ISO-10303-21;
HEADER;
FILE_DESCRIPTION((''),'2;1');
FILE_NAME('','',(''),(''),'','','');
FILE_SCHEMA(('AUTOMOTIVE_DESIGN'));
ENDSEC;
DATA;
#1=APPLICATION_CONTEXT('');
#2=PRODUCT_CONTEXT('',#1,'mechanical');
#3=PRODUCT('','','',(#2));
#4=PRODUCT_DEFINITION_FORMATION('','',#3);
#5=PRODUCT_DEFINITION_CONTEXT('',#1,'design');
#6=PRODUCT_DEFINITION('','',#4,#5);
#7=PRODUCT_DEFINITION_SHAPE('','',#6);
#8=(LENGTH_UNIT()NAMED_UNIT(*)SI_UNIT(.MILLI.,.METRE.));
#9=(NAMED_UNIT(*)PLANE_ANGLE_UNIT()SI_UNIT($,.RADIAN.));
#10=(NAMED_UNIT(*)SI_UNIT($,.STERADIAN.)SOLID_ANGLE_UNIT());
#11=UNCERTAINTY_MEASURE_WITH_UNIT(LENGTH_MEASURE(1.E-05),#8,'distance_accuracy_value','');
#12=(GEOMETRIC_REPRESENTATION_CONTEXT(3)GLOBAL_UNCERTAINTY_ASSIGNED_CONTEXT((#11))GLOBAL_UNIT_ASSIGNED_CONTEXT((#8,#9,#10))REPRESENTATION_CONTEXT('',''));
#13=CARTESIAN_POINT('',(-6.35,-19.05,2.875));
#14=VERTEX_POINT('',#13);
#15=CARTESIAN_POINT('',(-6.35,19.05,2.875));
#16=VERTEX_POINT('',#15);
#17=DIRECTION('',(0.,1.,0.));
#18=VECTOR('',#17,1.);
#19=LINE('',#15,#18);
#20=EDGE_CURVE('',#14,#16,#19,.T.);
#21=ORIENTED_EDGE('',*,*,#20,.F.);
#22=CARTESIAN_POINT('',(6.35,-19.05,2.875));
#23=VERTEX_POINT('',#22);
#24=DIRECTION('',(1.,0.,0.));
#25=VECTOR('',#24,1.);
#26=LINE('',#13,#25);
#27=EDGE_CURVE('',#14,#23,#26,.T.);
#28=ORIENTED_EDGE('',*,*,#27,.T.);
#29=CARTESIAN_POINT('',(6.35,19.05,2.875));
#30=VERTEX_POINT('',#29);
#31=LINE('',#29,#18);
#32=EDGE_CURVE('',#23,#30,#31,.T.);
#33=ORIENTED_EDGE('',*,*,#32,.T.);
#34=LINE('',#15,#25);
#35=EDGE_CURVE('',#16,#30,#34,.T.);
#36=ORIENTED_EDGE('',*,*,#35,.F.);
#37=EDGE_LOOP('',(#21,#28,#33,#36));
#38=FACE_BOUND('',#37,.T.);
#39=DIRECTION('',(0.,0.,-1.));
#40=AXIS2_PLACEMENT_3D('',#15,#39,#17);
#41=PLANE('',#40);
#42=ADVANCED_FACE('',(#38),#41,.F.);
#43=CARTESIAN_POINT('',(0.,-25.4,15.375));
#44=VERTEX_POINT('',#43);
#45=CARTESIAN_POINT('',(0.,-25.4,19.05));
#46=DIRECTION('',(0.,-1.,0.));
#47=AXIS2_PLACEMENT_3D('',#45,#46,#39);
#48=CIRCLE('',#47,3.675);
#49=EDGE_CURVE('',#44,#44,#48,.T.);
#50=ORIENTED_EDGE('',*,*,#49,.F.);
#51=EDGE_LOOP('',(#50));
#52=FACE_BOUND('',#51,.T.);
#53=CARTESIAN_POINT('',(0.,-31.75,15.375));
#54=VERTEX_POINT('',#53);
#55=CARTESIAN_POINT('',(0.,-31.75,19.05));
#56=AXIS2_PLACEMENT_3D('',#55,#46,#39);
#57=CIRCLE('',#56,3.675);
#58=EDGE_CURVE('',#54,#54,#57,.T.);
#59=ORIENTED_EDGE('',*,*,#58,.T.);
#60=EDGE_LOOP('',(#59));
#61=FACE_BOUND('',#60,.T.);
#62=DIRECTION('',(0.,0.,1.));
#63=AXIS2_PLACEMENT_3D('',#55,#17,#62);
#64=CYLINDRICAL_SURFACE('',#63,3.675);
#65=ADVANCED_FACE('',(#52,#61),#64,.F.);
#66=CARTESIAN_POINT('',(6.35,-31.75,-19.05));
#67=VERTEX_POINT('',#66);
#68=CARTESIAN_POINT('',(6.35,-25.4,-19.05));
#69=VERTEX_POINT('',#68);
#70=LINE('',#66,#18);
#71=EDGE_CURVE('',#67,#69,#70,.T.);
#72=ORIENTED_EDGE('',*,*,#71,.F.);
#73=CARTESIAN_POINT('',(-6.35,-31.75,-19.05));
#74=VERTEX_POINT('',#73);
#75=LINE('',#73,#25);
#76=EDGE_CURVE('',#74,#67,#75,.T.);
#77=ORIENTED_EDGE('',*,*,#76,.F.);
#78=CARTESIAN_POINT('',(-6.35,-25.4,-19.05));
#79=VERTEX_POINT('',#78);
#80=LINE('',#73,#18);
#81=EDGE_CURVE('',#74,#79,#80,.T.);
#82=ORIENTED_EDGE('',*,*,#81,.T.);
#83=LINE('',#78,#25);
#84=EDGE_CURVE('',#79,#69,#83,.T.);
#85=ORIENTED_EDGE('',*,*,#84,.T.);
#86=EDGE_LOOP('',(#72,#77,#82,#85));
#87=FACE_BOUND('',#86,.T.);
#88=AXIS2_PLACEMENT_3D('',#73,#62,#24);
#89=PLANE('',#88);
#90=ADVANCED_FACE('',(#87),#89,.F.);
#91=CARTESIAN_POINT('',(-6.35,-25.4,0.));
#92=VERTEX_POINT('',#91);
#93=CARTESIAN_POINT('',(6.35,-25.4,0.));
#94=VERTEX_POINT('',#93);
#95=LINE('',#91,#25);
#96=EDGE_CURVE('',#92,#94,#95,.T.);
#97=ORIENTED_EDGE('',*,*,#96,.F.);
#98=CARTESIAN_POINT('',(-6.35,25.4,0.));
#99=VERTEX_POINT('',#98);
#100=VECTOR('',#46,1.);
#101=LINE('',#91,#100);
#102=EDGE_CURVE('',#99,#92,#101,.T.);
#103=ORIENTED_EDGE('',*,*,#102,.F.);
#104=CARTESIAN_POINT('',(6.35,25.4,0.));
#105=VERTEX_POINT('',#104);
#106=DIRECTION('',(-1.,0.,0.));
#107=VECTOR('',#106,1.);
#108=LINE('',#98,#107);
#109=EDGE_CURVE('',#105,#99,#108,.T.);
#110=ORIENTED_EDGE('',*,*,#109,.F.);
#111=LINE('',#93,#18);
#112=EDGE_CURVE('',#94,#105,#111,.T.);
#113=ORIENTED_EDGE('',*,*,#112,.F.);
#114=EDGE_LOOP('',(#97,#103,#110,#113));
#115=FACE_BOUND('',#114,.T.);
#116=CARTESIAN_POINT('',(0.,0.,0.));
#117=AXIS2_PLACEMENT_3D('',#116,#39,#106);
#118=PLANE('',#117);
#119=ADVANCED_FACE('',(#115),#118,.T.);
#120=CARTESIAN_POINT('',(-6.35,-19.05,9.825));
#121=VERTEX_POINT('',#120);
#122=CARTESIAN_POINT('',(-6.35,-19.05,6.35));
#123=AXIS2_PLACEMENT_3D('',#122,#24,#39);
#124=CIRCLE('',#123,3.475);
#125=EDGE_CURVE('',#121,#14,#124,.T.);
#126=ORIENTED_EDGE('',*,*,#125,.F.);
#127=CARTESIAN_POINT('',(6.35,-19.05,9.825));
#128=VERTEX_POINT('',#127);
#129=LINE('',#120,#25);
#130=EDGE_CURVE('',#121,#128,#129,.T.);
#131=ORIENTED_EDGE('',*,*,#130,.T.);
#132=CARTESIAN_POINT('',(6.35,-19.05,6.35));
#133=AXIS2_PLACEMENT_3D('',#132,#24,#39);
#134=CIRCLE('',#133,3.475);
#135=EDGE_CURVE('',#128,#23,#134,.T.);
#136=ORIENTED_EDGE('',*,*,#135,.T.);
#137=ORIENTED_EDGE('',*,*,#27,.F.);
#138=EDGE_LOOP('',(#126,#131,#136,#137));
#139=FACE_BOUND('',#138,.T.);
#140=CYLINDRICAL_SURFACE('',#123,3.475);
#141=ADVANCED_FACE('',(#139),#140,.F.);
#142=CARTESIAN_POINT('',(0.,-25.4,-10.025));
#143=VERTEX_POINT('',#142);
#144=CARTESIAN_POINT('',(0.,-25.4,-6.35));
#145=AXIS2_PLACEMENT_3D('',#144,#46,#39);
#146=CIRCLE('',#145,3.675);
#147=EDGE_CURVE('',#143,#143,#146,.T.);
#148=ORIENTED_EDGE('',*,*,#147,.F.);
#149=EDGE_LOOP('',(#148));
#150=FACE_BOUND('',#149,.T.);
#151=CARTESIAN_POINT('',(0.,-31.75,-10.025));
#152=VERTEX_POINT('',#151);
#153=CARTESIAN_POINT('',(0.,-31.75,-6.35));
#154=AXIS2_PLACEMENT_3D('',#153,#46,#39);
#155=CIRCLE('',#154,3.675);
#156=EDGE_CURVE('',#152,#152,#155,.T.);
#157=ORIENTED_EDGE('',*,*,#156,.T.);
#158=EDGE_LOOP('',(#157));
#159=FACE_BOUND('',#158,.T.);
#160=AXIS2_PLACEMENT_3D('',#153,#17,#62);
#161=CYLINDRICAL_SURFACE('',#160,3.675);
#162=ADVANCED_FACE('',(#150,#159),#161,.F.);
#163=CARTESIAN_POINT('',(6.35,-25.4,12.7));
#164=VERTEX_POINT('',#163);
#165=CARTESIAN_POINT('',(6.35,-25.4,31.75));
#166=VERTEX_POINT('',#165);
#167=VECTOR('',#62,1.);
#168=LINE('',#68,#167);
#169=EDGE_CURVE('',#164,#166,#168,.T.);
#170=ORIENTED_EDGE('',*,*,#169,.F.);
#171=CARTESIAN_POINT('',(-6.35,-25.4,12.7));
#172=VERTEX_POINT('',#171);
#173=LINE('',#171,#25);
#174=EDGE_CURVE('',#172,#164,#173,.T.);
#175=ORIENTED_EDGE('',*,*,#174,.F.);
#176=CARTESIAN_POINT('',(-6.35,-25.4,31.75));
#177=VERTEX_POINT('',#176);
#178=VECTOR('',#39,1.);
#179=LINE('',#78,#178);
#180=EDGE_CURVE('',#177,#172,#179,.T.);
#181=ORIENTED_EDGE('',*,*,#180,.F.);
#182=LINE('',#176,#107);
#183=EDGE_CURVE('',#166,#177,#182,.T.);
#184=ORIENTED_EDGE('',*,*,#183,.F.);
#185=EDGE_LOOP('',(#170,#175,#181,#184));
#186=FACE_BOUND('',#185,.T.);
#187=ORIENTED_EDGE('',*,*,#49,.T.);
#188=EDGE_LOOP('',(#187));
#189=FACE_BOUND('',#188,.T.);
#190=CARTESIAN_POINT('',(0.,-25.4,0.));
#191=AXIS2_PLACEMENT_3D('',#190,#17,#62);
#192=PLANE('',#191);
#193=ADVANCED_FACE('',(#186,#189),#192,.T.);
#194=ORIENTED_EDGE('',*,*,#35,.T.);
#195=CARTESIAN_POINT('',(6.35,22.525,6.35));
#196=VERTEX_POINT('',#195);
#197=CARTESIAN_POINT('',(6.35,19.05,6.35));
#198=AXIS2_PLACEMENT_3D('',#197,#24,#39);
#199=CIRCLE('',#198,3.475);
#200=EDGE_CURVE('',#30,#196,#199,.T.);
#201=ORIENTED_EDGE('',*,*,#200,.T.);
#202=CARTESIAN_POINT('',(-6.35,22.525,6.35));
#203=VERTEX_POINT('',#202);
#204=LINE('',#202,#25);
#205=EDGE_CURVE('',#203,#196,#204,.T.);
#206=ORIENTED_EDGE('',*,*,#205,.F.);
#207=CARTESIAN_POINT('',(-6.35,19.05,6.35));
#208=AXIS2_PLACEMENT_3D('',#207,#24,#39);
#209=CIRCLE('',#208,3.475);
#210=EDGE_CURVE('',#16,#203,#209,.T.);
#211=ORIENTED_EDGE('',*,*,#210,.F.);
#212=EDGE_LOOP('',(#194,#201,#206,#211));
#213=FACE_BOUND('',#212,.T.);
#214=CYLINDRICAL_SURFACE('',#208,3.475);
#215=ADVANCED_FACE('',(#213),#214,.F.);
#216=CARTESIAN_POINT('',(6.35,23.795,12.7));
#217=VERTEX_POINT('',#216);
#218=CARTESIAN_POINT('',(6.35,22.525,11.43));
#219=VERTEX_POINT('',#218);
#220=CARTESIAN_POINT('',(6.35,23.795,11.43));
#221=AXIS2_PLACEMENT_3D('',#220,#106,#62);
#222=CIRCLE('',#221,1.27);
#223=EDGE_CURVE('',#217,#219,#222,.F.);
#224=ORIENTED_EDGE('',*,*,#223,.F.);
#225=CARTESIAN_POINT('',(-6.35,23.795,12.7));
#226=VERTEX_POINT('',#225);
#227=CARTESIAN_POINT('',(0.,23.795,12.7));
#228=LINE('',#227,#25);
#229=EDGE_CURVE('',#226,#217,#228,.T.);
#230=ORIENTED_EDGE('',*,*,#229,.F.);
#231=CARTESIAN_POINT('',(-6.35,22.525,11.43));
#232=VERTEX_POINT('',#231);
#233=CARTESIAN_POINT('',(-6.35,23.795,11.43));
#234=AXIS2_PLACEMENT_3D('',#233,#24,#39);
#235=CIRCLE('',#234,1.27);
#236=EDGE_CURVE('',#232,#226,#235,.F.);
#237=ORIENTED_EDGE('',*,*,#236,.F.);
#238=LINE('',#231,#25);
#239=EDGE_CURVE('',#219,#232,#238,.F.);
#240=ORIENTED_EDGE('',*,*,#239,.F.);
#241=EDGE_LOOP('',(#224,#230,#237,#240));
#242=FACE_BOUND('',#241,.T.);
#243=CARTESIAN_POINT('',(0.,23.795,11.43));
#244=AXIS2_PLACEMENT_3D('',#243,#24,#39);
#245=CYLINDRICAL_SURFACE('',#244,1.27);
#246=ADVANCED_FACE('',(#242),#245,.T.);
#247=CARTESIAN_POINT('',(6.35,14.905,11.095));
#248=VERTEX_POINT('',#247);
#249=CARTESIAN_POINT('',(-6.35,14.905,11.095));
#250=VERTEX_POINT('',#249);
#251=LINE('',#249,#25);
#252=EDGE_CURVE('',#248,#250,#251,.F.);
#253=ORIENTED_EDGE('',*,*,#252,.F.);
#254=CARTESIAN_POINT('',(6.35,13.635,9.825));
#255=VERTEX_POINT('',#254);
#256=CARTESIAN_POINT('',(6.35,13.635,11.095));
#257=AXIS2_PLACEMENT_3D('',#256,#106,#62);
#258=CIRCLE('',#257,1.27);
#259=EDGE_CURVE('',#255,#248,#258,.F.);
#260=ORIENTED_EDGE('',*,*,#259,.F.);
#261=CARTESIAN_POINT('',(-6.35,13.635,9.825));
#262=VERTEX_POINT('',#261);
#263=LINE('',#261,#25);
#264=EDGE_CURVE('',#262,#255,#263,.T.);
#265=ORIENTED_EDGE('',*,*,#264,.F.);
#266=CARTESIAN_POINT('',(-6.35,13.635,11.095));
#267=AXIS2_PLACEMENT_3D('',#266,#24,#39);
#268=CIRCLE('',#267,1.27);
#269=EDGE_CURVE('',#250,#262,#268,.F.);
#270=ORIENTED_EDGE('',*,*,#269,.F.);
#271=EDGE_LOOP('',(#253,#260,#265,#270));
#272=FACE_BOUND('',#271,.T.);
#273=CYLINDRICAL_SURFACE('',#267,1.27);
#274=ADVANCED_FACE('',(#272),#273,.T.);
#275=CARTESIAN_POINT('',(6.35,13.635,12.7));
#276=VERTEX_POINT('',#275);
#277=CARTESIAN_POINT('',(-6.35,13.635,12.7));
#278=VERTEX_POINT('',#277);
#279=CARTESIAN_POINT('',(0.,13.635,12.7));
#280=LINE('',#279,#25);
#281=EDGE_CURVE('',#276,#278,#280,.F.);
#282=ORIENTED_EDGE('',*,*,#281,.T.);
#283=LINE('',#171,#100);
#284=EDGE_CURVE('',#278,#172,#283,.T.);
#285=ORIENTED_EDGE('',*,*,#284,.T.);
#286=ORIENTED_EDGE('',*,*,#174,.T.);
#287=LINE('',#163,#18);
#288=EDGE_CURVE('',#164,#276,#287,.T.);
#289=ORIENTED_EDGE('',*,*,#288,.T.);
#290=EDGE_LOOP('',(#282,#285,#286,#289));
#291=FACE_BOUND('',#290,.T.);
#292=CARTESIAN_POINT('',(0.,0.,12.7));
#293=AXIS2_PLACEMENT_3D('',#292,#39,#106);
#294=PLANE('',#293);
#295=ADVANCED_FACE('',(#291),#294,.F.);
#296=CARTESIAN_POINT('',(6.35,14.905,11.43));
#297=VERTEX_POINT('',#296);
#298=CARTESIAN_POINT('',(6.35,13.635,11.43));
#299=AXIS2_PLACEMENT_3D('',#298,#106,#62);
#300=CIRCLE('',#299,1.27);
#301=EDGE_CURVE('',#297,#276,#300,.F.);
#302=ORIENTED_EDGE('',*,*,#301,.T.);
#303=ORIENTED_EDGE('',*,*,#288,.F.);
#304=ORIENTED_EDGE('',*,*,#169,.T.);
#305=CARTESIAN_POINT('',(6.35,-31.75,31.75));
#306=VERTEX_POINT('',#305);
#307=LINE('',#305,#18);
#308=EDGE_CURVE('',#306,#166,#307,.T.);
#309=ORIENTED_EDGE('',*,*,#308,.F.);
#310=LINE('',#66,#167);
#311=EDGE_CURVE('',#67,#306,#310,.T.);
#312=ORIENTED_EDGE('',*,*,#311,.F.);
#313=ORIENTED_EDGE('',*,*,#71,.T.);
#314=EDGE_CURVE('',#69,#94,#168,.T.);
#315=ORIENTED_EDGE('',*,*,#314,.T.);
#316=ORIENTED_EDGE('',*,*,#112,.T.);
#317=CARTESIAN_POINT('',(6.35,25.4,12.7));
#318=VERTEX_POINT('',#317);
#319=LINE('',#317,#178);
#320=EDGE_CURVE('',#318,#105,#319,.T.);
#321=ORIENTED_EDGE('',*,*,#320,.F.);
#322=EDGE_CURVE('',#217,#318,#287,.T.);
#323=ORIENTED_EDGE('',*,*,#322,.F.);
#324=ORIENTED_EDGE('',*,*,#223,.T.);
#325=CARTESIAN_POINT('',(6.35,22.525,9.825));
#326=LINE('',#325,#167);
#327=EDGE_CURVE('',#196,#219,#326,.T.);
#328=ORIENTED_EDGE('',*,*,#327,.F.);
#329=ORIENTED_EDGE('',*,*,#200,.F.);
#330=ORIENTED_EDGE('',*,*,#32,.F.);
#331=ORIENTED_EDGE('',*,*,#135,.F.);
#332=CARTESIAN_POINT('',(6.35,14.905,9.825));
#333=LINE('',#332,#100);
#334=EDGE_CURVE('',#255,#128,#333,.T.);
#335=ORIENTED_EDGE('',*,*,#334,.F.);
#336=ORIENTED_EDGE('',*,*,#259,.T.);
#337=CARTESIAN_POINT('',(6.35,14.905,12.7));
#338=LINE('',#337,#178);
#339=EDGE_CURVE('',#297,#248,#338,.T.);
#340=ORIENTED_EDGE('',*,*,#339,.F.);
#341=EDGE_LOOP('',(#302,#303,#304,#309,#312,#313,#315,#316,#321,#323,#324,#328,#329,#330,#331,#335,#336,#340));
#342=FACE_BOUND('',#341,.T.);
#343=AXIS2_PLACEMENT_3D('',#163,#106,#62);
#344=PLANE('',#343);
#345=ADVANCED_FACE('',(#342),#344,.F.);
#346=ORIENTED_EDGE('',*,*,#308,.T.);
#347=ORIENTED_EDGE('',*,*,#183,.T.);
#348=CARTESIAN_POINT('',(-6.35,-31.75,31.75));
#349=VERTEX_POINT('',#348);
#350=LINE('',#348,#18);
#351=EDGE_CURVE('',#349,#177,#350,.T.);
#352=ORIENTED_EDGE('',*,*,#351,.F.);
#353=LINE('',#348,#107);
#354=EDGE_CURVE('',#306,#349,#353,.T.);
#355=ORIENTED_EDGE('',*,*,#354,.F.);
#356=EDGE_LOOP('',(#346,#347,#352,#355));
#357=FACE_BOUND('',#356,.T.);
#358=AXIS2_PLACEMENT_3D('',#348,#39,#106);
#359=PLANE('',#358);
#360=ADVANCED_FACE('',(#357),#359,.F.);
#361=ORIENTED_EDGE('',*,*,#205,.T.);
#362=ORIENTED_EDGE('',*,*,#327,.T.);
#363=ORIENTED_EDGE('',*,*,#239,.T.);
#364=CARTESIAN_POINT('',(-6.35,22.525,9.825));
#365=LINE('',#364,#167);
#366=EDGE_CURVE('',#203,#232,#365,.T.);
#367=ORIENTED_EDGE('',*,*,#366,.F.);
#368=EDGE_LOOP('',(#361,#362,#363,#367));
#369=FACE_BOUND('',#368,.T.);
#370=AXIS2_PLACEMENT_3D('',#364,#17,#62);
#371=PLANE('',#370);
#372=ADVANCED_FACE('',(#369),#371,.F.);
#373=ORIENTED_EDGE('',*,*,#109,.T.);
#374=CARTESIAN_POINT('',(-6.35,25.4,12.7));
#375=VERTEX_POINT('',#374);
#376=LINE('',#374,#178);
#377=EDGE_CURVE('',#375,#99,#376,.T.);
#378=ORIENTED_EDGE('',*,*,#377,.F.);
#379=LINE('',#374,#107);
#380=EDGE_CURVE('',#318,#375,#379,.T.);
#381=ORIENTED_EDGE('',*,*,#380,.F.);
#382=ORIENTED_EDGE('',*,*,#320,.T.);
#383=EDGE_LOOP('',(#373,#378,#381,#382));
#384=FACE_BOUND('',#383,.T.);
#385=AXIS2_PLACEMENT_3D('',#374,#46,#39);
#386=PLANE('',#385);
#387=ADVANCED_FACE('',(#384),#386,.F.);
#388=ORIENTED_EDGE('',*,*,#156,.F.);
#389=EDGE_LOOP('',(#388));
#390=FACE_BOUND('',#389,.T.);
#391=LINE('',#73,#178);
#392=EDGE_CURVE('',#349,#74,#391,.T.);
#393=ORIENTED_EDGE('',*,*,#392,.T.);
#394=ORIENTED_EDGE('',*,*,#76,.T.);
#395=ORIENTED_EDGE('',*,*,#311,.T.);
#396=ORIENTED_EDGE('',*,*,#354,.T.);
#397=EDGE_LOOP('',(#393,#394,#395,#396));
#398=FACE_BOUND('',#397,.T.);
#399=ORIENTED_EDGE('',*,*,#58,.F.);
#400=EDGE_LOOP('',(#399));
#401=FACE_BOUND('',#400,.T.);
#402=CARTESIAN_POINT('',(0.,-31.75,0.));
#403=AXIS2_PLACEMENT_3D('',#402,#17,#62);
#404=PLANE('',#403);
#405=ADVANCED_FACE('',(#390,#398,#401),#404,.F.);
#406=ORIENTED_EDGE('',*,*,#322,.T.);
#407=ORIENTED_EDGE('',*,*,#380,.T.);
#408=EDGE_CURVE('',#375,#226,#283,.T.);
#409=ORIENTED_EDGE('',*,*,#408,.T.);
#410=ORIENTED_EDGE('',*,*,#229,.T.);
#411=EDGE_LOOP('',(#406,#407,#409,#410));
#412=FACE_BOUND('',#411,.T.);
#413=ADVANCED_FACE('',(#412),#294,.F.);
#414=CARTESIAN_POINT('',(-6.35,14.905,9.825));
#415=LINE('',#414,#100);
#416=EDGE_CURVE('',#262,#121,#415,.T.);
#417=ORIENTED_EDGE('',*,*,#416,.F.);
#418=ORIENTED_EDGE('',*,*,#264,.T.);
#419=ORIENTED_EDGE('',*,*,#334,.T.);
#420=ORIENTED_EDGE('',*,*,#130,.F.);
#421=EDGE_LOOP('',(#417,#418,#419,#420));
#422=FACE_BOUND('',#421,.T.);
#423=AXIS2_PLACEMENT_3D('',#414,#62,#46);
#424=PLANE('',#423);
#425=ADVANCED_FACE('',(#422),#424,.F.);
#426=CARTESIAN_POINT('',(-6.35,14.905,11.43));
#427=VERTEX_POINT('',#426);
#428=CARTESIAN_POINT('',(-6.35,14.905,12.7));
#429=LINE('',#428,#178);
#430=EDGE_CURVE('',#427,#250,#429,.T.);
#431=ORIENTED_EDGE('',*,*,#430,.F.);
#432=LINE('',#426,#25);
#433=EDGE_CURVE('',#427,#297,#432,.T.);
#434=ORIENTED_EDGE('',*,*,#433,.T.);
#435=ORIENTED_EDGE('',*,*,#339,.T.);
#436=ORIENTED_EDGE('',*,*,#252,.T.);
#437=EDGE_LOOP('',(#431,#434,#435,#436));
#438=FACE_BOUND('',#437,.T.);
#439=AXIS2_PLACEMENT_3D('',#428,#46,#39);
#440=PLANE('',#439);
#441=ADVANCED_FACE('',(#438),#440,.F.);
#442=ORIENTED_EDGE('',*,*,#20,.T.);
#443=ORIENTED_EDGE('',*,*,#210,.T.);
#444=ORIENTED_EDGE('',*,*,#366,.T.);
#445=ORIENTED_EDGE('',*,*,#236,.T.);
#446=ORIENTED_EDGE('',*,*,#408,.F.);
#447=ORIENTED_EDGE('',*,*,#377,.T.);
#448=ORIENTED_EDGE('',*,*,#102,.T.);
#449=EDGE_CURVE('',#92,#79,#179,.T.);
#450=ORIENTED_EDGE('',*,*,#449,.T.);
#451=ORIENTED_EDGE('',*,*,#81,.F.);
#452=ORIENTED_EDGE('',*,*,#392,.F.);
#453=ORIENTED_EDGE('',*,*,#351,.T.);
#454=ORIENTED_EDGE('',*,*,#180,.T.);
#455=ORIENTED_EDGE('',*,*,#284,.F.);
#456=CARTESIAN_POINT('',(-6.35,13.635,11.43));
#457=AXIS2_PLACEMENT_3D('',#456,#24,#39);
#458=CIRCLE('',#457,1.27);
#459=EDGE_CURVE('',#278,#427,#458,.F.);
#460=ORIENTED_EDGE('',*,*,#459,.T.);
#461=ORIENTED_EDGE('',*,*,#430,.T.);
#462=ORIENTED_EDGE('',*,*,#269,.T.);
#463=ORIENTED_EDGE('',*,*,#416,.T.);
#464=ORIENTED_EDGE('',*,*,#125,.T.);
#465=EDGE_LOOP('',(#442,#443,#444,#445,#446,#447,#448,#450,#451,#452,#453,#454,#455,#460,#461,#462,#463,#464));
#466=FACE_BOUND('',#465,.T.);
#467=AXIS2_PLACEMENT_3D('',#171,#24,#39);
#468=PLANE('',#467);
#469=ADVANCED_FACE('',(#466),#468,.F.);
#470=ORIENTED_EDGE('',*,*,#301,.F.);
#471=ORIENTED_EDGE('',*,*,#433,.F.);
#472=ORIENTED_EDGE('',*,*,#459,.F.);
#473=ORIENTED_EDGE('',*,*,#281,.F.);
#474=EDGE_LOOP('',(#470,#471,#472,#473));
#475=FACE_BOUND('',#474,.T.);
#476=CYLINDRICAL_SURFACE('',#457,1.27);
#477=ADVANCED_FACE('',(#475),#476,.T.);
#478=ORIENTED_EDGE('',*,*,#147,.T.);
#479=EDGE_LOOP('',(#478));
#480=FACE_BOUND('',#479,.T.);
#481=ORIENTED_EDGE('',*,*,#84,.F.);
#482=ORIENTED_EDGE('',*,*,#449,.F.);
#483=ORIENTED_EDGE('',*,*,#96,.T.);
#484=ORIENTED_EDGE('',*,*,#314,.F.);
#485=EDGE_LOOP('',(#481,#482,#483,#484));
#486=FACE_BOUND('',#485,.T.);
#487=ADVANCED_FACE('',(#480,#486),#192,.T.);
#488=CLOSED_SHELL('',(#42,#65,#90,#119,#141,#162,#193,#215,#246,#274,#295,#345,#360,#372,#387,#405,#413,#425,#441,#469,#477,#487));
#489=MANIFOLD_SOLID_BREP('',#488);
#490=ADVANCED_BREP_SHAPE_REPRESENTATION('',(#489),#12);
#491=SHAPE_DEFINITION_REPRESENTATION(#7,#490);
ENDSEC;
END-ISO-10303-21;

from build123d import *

# Parameters (mm, degrees)
SKETCH1_W           = 12.7
SKETCH1_H           = 50.8
BOSS_EXTRUDE1_DEPTH = 12.7
CUT_EXTRUDE1_DEPTH  = 32.108519733
FILLET1_R           = 1.27
SKETCH3_W           = 12.7
SKETCH3_H           = 50.8
SKETCH3_R           = 3.675
BOSS_EXTRUDE2_DEPTH = 6.35


with BuildPart() as part:
    # Sketch1 → Boss-Extrude1 (new body)
    with BuildSketch(Plane.XY):
        Rectangle(SKETCH1_W, SKETCH1_H)
    extrude(amount=BOSS_EXTRUDE1_DEPTH)

    # Sketch2 → Cut-Extrude1 (cut, through all)
    with BuildSketch(Plane(origin=(6.35, 0, 0), x_dir=(0, 0, -1), z_dir=(1, 0, 0))):
        with BuildLine():
            Line((-2.875000092, 19.05), (-2.875000092, -19.05))
            ThreePointArc((-2.875000092, -19.05), (-6.35, -22.524999908), (-9.824999908, -19.05))
            Line((-9.824999908, -19.05), (-9.824999908, 14.904999908))
            Line((-9.824999908, 14.904999908), (-12.7, 14.904999908))
            Line((-12.7, 14.904999908), (-12.7, 22.524999908))
            Line((-12.7, 22.524999908), (-9.824999908, 22.524999908))
            Line((-9.824999908, 22.524999908), (-6.35, 22.524999908))
            ThreePointArc((-6.35, 22.524999908), (-3.892804, 21.507196), (-2.875000092, 19.05))
        make_face()
    extrude(amount=-CUT_EXTRUDE1_DEPTH, mode=Mode.SUBTRACT)

    # Fillet1
    fillet1_edges = [part.edges().sort_by_distance(p)[0] for p in [
        (0, 14.904999908, 9.824999908),
        (0, 14.904999908, 12.7),
        (0, 22.524999908, 12.7),
    ]]
    fillet(fillet1_edges, radius=FILLET1_R)

    # Sketch3 → Boss-Extrude2 (add)
    with BuildSketch(Plane.XZ.offset(25.4)):
        with Locations((0, 6.35)):
            Rectangle(SKETCH3_W, SKETCH3_H)
        with Locations(Location((0, -6.35, 0), (0, 0, 270))):
            Circle(SKETCH3_R, mode=Mode.SUBTRACT)
        with Locations(Location((0, 19.05, 0), (0, 0, 270))):
            Circle(SKETCH3_R, mode=Mode.SUBTRACT)
    extrude(amount=BOSS_EXTRUDE2_DEPTH)


solid = part.part
